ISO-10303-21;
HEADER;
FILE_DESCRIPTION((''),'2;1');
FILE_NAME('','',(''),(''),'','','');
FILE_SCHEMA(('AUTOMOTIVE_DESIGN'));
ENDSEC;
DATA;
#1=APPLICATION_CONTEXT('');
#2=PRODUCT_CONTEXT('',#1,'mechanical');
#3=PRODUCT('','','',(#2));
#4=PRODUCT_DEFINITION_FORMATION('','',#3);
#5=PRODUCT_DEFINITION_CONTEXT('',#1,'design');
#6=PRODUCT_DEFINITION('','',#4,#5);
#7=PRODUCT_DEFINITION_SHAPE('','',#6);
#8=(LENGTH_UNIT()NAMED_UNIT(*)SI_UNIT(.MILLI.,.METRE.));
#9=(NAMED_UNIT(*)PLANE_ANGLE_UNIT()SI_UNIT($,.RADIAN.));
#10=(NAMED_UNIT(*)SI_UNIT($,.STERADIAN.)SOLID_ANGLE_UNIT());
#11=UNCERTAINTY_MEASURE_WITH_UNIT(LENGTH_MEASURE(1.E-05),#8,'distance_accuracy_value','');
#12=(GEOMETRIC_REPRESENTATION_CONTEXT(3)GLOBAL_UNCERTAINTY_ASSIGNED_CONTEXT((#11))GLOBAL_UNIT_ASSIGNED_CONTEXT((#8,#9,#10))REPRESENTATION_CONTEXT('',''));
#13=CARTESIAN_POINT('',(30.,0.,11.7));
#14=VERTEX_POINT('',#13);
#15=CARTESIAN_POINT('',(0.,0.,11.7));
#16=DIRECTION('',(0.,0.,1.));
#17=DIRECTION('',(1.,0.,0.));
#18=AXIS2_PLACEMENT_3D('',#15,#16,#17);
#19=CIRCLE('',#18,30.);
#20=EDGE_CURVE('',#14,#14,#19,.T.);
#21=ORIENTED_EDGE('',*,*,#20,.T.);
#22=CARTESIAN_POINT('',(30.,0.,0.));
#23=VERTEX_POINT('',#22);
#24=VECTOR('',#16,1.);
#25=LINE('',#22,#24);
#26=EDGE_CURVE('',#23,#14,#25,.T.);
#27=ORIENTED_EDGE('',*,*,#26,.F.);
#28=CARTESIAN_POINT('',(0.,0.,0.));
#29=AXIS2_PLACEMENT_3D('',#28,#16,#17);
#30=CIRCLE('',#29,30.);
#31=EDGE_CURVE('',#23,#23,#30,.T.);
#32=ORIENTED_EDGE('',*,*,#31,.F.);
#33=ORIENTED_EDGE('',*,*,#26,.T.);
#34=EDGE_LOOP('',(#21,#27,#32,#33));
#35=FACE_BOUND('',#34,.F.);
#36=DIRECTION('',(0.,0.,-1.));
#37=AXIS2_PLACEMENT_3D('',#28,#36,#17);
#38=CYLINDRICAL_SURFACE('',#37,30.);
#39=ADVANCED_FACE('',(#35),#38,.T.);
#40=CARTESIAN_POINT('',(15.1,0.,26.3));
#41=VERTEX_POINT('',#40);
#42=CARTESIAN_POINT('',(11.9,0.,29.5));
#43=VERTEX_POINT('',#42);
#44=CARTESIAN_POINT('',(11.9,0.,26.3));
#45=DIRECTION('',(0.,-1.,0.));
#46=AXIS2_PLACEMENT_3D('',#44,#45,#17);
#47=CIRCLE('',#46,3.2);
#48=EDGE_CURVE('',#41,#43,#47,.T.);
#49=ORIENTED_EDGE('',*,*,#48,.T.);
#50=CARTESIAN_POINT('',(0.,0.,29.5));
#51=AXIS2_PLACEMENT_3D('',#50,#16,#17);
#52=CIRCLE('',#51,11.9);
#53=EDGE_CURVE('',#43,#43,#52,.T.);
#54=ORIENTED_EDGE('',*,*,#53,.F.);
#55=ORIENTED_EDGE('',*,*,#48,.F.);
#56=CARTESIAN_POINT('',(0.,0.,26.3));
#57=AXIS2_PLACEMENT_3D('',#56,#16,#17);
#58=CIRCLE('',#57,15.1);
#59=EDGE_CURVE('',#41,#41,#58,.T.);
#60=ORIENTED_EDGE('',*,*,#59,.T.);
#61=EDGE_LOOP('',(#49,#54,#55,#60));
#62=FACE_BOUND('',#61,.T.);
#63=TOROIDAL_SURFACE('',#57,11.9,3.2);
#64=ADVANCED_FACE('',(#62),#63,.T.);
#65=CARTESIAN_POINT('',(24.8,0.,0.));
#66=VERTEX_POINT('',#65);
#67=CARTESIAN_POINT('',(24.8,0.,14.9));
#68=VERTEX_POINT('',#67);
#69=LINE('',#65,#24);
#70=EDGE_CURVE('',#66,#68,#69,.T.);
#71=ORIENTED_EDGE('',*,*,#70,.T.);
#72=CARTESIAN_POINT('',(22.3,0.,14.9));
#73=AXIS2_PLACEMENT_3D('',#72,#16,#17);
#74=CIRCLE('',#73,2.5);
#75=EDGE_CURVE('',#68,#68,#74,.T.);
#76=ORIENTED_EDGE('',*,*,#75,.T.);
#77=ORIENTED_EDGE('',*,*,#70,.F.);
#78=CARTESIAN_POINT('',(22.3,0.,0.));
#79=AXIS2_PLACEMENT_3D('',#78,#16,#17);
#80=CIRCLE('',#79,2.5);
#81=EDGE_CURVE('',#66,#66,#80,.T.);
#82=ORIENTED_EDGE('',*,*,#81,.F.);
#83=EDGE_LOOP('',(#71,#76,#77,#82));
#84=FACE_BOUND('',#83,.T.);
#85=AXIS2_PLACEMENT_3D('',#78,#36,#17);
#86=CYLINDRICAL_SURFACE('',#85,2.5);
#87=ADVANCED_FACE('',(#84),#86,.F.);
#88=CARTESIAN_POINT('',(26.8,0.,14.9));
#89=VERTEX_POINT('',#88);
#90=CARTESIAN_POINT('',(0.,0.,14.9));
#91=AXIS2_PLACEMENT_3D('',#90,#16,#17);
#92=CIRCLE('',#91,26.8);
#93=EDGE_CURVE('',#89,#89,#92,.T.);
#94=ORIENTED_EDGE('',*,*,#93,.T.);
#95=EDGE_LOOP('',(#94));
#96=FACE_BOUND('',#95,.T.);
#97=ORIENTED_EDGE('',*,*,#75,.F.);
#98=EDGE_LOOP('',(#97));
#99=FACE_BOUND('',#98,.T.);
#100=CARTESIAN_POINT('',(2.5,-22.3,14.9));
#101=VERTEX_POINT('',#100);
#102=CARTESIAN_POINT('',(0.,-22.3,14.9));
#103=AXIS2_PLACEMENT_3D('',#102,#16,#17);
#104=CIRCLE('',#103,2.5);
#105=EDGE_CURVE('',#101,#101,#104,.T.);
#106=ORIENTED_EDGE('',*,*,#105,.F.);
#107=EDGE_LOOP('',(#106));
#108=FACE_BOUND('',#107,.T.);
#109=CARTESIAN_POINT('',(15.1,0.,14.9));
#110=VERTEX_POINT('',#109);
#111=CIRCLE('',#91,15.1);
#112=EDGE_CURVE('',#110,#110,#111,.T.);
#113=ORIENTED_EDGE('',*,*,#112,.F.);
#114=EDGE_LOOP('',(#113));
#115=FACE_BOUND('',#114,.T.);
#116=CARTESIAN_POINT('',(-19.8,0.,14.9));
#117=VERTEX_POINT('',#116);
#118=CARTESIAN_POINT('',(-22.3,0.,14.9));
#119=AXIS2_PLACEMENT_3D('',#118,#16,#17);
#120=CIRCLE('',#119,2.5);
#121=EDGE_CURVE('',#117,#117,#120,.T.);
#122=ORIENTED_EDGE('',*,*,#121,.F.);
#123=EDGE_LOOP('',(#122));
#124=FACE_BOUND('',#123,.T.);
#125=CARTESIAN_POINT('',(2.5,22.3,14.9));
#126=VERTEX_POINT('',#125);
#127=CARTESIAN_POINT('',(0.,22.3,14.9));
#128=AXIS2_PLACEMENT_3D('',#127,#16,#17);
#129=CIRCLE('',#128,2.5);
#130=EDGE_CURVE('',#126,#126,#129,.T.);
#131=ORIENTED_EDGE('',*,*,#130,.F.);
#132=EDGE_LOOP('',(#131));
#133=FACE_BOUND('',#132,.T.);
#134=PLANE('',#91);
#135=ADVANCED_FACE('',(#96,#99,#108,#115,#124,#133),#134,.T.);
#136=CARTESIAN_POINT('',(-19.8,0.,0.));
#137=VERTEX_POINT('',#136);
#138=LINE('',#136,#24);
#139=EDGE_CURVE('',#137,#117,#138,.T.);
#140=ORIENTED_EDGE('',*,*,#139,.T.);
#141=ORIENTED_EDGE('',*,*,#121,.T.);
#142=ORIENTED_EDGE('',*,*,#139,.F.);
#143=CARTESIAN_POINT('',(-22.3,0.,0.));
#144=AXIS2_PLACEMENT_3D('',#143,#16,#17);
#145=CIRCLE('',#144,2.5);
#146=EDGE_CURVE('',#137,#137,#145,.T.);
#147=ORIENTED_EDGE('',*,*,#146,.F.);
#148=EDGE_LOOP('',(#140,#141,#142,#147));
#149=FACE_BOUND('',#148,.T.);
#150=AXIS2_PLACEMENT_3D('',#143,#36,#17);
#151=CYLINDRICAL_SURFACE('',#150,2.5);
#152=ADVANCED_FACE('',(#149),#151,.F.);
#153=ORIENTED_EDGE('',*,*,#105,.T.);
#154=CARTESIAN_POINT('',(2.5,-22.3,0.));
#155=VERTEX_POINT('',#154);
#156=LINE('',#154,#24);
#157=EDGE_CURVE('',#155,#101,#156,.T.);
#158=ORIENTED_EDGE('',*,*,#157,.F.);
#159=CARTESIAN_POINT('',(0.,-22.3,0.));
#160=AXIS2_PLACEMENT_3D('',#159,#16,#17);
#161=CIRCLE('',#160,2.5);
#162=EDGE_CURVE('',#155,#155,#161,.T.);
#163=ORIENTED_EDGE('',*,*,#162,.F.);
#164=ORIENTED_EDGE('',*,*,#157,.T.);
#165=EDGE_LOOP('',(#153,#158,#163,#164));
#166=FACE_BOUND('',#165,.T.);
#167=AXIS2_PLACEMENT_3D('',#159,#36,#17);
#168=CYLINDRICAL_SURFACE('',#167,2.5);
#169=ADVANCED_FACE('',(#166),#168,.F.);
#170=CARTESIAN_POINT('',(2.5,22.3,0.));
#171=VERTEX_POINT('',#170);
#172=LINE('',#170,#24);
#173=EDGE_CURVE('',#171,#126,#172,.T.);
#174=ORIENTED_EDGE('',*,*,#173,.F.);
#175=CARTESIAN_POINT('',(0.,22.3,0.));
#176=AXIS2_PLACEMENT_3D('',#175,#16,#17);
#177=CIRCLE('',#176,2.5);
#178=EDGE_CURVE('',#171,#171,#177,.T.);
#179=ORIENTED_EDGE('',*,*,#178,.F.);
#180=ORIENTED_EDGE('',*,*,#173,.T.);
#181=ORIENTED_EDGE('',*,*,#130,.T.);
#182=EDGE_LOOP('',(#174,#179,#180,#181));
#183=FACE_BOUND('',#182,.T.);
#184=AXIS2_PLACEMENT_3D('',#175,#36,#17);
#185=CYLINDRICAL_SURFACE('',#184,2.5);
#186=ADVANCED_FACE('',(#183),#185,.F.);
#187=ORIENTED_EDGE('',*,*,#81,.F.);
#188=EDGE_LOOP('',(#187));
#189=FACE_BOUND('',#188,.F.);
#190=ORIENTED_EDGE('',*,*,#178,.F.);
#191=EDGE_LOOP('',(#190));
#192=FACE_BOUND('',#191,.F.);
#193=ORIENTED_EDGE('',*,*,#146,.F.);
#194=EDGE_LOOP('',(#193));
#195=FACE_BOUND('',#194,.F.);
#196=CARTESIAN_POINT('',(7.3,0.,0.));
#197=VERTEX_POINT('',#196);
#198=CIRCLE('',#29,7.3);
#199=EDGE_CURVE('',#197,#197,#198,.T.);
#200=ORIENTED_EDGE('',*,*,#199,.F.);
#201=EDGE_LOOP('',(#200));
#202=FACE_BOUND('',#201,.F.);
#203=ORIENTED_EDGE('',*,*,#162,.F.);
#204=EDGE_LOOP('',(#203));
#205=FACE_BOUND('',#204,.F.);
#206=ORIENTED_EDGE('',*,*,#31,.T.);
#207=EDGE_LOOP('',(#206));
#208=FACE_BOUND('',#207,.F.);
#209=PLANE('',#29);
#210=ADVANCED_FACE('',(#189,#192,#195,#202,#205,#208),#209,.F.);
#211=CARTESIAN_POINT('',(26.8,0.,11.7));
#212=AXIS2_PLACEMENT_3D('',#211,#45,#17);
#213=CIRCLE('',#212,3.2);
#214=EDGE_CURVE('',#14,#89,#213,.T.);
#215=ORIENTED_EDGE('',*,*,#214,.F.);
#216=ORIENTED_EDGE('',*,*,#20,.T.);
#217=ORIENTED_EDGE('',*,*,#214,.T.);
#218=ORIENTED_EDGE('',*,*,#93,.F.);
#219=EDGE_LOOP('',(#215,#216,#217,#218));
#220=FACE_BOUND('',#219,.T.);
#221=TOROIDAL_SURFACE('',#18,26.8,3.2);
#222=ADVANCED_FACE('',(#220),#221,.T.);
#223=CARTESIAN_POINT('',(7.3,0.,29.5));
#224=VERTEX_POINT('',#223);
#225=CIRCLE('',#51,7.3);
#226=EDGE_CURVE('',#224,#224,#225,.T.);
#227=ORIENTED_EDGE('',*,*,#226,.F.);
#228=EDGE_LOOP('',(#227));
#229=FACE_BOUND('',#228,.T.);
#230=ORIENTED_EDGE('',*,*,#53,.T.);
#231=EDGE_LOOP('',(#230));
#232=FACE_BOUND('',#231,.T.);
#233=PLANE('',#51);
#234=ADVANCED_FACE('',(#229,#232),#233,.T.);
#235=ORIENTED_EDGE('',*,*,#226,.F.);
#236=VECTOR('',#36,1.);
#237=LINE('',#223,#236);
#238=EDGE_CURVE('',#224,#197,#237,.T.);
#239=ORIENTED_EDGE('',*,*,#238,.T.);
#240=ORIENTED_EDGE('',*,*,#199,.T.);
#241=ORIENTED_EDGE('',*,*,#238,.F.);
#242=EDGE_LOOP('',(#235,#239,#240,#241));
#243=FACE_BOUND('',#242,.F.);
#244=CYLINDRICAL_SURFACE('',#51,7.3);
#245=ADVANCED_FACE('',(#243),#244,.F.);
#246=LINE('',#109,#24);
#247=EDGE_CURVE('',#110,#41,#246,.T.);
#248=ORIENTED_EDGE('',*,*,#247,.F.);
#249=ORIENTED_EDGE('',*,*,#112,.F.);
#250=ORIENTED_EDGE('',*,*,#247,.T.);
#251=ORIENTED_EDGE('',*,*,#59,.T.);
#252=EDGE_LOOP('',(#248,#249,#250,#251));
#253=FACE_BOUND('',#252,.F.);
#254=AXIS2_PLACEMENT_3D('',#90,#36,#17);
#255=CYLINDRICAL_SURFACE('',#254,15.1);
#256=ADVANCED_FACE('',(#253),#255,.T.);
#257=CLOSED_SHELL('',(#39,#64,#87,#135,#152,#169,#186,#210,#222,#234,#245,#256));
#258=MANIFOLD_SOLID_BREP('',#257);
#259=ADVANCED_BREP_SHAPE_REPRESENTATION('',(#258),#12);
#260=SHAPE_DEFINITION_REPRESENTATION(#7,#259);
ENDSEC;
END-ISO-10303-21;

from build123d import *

# Parameters (mm, degrees)
F0_R     = 30
F0_R_2   = 2.5
F1_DEPTH = 14.9
F2_R     = 3.2
F3_R     = 15.1
F4_DEPTH = 14.6
F5_R     = 3.2
F6_R     = 7.3
F7_DEPTH = 60


with BuildPart() as f1:
    # F0 (on Top) → F1 (new body)
    with BuildSketch(Plane.XY):
        Circle(F0_R)
        with Locations((0, -22.3)):
            Circle(F0_R_2, mode=Mode.SUBTRACT)
        with Locations((-22.3, 0)):
            Circle(F0_R_2, mode=Mode.SUBTRACT)
        with Locations((22.3, 0)):
            Circle(F0_R_2, mode=Mode.SUBTRACT)
        with Locations((0, 22.3)):
            Circle(F0_R_2, mode=Mode.SUBTRACT)
    extrude(amount=F1_DEPTH)

    # F2
    f2_edges = [f1.edges().sort_by_distance(p)[0] for p in [
        (-30, 0, 14.9),
    ]]
    fillet(f2_edges, radius=F2_R)

    # F3 (on face) → F4 (join)
    with BuildSketch(Plane.XY.offset(14.9)):
        Circle(F3_R)
    extrude(amount=F4_DEPTH)

    # F5
    f5_edges = [f1.edges().sort_by_distance(p)[0] for p in [
        (-15.1, 0, 29.5),
    ]]
    fillet(f5_edges, radius=F5_R)

    # F6 (on face) → F7 (cut)
    with BuildSketch(Plane.XY.offset(29.5)):
        Circle(F6_R)
    extrude(amount=-F7_DEPTH, mode=Mode.SUBTRACT)


solid = f1.part
